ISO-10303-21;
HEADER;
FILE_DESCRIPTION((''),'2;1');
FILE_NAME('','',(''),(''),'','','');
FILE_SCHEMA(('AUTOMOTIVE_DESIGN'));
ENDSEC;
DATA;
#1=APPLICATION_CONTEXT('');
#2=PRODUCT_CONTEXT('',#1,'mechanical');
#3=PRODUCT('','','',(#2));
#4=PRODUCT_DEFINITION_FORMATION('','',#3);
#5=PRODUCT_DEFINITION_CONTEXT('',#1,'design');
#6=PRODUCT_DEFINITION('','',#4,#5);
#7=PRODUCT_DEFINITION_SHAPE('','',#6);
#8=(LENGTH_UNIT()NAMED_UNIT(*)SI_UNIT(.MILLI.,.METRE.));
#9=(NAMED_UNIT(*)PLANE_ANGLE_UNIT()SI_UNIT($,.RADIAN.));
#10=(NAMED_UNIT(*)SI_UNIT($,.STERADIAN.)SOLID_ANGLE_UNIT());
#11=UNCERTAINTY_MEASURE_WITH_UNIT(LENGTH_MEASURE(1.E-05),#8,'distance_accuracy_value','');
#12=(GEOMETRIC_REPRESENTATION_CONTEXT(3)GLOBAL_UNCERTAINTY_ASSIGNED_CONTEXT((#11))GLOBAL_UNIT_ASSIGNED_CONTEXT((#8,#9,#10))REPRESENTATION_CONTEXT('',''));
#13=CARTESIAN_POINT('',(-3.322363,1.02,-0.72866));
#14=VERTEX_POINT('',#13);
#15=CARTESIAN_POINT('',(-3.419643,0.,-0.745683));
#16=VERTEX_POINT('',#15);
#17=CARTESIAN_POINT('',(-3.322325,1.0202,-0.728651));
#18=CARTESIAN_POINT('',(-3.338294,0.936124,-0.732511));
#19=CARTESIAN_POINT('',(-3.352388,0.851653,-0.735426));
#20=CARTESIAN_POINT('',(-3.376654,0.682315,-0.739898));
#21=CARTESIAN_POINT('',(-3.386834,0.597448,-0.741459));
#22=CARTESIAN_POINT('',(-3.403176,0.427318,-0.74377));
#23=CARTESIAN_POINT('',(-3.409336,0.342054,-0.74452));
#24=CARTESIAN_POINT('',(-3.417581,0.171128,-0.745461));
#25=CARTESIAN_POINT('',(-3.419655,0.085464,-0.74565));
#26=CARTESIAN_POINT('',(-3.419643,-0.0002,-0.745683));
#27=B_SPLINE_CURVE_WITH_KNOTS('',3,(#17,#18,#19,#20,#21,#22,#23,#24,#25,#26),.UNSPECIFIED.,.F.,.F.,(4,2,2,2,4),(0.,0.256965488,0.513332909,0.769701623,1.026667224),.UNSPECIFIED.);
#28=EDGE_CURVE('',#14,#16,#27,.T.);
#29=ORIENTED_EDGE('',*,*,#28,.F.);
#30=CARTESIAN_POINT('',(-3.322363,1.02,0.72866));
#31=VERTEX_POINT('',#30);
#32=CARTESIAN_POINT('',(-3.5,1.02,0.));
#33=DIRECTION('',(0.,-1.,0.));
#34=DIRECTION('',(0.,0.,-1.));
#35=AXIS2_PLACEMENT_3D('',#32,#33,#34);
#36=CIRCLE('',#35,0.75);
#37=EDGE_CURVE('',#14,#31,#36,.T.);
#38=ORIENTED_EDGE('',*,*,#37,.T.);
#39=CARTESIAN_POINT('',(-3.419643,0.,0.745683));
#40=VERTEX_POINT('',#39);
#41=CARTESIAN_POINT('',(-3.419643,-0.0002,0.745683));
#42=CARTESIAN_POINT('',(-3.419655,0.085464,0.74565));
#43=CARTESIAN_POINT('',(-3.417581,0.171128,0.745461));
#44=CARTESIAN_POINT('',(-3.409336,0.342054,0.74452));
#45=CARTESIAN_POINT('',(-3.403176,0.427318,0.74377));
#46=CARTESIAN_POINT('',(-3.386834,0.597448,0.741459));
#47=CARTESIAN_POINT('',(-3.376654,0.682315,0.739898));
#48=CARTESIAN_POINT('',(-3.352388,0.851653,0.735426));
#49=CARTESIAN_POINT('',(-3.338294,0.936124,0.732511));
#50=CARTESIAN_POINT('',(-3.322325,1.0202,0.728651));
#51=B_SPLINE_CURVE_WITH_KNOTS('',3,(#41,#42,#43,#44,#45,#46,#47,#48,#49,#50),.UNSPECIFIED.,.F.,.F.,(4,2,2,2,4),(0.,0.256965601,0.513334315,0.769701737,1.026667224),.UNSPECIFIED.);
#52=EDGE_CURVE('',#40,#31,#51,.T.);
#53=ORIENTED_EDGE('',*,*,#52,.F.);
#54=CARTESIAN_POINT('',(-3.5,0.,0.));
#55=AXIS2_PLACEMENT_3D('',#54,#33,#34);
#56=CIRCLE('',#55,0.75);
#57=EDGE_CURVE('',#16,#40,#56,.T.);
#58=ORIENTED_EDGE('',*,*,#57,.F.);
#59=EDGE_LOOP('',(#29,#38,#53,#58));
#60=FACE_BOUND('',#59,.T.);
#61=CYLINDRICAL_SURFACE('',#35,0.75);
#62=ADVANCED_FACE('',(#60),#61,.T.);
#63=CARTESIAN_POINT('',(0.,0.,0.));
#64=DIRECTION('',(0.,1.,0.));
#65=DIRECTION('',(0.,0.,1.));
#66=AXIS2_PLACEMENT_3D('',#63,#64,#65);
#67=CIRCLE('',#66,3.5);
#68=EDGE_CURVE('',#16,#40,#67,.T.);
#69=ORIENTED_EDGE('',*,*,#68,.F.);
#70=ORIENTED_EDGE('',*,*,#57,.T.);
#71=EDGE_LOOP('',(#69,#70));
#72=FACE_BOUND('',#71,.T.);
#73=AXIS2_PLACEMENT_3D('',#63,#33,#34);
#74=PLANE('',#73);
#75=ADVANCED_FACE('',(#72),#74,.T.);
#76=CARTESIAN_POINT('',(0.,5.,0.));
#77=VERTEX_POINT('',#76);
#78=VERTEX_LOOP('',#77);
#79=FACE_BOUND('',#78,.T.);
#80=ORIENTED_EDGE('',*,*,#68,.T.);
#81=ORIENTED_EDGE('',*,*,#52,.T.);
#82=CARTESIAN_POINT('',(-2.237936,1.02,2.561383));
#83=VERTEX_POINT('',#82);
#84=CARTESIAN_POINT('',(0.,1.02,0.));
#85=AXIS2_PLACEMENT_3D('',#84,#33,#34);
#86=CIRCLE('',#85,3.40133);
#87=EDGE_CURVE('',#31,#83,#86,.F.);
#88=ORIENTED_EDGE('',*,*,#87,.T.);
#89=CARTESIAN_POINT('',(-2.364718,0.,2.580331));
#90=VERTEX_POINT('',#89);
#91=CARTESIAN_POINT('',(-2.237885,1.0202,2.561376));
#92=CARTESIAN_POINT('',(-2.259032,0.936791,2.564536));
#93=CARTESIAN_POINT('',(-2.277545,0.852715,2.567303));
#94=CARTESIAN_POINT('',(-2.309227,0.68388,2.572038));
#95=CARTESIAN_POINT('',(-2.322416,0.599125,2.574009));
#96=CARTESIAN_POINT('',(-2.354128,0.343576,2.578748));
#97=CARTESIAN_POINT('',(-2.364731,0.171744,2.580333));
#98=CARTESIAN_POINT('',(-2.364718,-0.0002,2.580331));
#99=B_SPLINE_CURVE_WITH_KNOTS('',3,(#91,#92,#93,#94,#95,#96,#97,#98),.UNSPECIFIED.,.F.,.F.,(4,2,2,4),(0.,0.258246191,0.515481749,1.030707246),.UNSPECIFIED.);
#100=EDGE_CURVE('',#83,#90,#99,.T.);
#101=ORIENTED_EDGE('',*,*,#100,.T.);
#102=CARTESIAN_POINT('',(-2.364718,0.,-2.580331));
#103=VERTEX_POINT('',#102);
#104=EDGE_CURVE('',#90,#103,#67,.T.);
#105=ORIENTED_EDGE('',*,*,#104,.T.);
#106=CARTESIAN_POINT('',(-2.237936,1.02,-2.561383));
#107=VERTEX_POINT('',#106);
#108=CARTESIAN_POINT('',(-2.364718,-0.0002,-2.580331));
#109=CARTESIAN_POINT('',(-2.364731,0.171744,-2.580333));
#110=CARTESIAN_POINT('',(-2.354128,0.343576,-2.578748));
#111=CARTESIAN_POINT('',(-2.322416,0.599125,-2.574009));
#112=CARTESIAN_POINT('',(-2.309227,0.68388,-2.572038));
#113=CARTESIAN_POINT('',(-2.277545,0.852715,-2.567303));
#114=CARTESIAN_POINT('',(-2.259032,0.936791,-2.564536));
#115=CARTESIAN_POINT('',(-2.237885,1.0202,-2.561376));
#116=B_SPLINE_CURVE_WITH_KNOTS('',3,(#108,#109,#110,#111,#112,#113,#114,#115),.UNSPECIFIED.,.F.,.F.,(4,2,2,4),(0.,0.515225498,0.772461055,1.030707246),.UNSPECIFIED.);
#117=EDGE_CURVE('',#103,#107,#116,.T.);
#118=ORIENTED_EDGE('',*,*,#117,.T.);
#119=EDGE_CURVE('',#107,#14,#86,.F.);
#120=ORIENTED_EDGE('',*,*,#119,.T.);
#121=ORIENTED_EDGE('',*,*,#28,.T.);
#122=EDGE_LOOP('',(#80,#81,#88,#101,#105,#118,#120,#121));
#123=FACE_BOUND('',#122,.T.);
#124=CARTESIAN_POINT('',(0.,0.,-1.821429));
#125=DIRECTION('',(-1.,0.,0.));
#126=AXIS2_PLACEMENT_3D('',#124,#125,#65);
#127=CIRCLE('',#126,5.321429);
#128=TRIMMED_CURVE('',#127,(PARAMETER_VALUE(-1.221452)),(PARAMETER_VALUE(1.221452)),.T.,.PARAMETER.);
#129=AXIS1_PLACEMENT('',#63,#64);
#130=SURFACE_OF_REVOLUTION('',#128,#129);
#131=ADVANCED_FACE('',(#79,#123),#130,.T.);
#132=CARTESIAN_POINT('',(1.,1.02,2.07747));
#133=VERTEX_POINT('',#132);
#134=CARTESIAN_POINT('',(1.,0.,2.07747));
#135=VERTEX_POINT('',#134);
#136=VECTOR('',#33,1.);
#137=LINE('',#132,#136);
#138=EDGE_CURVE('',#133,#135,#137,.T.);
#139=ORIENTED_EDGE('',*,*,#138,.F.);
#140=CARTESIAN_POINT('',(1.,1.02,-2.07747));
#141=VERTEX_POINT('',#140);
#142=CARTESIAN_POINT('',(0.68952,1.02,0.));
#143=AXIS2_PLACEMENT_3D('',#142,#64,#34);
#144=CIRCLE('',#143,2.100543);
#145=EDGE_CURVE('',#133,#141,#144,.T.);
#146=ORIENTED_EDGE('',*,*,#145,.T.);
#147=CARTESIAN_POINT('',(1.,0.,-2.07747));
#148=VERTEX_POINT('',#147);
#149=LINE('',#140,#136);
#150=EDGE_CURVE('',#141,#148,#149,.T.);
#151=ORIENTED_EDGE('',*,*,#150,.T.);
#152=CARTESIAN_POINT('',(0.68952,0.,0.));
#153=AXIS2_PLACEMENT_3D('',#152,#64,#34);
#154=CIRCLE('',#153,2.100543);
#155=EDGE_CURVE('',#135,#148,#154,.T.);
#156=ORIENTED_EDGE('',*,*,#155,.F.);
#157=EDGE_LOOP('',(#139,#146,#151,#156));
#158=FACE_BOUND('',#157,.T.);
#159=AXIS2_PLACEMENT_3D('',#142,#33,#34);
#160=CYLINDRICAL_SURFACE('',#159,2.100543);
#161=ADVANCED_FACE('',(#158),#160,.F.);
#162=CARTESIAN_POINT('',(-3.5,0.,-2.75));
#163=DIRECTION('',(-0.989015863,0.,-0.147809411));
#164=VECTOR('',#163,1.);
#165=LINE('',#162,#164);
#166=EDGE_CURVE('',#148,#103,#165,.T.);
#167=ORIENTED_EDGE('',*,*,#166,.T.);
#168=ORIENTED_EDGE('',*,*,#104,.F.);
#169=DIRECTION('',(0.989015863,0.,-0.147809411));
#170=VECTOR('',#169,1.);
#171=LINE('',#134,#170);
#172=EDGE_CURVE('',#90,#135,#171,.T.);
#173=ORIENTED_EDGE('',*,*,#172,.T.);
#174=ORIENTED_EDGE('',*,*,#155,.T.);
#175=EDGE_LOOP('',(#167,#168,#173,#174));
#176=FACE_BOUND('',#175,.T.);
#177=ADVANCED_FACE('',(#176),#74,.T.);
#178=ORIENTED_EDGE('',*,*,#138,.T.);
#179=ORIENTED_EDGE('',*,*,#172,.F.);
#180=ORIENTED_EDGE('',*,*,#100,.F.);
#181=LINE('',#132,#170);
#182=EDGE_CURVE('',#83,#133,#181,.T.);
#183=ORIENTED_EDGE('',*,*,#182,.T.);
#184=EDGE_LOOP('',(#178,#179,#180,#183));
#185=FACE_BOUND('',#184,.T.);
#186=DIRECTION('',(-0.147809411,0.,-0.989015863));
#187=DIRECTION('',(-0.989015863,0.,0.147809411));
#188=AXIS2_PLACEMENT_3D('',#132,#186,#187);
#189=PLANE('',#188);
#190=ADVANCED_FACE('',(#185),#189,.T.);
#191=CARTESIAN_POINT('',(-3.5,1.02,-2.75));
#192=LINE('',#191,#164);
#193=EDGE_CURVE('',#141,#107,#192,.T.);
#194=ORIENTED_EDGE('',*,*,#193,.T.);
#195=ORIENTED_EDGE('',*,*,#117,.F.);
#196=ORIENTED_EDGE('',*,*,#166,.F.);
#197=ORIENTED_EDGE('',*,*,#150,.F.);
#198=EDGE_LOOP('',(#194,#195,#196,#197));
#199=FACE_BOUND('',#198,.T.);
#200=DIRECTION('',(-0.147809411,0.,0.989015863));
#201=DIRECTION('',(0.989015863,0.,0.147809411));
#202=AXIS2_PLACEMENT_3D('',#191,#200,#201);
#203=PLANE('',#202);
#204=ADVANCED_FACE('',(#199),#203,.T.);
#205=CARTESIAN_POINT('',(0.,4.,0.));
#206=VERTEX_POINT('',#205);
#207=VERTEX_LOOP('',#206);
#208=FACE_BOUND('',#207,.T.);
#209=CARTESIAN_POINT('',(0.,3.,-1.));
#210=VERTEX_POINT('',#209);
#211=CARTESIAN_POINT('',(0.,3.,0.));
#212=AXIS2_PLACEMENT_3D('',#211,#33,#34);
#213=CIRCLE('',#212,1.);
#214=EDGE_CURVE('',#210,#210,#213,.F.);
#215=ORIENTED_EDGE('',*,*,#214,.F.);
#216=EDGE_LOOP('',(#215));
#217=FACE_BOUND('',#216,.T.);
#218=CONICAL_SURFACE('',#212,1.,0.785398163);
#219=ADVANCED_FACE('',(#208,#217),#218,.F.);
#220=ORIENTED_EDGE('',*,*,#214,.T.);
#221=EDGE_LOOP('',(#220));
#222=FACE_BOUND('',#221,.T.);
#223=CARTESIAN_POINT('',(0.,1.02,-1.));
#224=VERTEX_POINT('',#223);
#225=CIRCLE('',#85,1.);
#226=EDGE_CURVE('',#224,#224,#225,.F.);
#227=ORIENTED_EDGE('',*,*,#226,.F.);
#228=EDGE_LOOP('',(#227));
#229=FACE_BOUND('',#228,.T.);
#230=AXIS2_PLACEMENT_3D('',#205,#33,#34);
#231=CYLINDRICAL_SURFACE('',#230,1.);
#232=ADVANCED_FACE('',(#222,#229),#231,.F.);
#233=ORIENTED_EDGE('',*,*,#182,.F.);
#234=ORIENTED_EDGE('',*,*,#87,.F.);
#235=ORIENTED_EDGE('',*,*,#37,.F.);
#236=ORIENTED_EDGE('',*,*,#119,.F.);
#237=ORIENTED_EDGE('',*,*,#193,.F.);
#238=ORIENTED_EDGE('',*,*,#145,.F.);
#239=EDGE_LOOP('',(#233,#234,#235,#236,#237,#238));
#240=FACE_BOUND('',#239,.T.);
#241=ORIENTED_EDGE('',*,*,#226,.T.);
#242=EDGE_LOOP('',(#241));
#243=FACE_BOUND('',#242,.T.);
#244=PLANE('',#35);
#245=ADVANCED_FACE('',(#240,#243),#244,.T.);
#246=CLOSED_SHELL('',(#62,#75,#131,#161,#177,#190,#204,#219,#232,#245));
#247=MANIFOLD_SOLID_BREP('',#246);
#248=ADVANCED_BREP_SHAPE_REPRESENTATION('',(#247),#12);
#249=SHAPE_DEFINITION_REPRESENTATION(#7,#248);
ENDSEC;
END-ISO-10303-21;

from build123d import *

# Parameters (mm, degrees)
SKETCH2_R          = 1
CUT_EXTRUDE1_DEPTH = 4
CHAMFER1_SIZE      = 1
CUT_EXTRUDE4_DEPTH = 1.02


with BuildPart() as part:
    # Sketch1 → Revolve1 (revolve)
    with BuildSketch(Plane(origin=(0, 0, 0), x_dir=(0, 0, -1), z_dir=(1, 0, 0))):
        with BuildLine():
            Line((0, 5), (0, 0))
            Line((0, 0), (-3.5, 0))
            ThreePointArc((-3.5, 0), (-2.538055577, 3.051638904), (0, 5))
        make_face()
    revolve(axis=Axis((0, 0, 0), (0, -1, 0)))

    # Sketch2 → Cut-Extrude1 (cut)
    with BuildSketch(Plane.XZ):
        Circle(SKETCH2_R)
    extrude(amount=-CUT_EXTRUDE1_DEPTH, mode=Mode.SUBTRACT)

    # Chamfer1
    chamfer1_edges = [part.edges().sort_by_distance(p)[0] for p in [
        (-1, 4, 0),
    ]]
    chamfer(chamfer1_edges, length=CHAMFER1_SIZE)

    # Sketch4 → Cut-Extrude4 (cut)
    with BuildSketch(Plane(origin=(0, 0, 0), x_dir=(1, 0, 0), z_dir=(0, 1, 0))):
        with BuildLine():
            Line((-3.5, 2.75), (1, 2.077470494))
            ThreePointArc((1, 2.077470494), (2.790063101, 0), (1, -2.077470494))
            Line((1, -2.077470494), (-3.5, -2.75))
            Line((-3.5, -2.75), (-3.5, -0.75))
            ThreePointArc((-3.5, -0.75), (-2.75, 0), (-3.5, 0.75))
            Line((-3.5, 0.75), (-3.5, 2.75))
        make_face()
    extrude(amount=CUT_EXTRUDE4_DEPTH, mode=Mode.SUBTRACT)


solid = part.part
